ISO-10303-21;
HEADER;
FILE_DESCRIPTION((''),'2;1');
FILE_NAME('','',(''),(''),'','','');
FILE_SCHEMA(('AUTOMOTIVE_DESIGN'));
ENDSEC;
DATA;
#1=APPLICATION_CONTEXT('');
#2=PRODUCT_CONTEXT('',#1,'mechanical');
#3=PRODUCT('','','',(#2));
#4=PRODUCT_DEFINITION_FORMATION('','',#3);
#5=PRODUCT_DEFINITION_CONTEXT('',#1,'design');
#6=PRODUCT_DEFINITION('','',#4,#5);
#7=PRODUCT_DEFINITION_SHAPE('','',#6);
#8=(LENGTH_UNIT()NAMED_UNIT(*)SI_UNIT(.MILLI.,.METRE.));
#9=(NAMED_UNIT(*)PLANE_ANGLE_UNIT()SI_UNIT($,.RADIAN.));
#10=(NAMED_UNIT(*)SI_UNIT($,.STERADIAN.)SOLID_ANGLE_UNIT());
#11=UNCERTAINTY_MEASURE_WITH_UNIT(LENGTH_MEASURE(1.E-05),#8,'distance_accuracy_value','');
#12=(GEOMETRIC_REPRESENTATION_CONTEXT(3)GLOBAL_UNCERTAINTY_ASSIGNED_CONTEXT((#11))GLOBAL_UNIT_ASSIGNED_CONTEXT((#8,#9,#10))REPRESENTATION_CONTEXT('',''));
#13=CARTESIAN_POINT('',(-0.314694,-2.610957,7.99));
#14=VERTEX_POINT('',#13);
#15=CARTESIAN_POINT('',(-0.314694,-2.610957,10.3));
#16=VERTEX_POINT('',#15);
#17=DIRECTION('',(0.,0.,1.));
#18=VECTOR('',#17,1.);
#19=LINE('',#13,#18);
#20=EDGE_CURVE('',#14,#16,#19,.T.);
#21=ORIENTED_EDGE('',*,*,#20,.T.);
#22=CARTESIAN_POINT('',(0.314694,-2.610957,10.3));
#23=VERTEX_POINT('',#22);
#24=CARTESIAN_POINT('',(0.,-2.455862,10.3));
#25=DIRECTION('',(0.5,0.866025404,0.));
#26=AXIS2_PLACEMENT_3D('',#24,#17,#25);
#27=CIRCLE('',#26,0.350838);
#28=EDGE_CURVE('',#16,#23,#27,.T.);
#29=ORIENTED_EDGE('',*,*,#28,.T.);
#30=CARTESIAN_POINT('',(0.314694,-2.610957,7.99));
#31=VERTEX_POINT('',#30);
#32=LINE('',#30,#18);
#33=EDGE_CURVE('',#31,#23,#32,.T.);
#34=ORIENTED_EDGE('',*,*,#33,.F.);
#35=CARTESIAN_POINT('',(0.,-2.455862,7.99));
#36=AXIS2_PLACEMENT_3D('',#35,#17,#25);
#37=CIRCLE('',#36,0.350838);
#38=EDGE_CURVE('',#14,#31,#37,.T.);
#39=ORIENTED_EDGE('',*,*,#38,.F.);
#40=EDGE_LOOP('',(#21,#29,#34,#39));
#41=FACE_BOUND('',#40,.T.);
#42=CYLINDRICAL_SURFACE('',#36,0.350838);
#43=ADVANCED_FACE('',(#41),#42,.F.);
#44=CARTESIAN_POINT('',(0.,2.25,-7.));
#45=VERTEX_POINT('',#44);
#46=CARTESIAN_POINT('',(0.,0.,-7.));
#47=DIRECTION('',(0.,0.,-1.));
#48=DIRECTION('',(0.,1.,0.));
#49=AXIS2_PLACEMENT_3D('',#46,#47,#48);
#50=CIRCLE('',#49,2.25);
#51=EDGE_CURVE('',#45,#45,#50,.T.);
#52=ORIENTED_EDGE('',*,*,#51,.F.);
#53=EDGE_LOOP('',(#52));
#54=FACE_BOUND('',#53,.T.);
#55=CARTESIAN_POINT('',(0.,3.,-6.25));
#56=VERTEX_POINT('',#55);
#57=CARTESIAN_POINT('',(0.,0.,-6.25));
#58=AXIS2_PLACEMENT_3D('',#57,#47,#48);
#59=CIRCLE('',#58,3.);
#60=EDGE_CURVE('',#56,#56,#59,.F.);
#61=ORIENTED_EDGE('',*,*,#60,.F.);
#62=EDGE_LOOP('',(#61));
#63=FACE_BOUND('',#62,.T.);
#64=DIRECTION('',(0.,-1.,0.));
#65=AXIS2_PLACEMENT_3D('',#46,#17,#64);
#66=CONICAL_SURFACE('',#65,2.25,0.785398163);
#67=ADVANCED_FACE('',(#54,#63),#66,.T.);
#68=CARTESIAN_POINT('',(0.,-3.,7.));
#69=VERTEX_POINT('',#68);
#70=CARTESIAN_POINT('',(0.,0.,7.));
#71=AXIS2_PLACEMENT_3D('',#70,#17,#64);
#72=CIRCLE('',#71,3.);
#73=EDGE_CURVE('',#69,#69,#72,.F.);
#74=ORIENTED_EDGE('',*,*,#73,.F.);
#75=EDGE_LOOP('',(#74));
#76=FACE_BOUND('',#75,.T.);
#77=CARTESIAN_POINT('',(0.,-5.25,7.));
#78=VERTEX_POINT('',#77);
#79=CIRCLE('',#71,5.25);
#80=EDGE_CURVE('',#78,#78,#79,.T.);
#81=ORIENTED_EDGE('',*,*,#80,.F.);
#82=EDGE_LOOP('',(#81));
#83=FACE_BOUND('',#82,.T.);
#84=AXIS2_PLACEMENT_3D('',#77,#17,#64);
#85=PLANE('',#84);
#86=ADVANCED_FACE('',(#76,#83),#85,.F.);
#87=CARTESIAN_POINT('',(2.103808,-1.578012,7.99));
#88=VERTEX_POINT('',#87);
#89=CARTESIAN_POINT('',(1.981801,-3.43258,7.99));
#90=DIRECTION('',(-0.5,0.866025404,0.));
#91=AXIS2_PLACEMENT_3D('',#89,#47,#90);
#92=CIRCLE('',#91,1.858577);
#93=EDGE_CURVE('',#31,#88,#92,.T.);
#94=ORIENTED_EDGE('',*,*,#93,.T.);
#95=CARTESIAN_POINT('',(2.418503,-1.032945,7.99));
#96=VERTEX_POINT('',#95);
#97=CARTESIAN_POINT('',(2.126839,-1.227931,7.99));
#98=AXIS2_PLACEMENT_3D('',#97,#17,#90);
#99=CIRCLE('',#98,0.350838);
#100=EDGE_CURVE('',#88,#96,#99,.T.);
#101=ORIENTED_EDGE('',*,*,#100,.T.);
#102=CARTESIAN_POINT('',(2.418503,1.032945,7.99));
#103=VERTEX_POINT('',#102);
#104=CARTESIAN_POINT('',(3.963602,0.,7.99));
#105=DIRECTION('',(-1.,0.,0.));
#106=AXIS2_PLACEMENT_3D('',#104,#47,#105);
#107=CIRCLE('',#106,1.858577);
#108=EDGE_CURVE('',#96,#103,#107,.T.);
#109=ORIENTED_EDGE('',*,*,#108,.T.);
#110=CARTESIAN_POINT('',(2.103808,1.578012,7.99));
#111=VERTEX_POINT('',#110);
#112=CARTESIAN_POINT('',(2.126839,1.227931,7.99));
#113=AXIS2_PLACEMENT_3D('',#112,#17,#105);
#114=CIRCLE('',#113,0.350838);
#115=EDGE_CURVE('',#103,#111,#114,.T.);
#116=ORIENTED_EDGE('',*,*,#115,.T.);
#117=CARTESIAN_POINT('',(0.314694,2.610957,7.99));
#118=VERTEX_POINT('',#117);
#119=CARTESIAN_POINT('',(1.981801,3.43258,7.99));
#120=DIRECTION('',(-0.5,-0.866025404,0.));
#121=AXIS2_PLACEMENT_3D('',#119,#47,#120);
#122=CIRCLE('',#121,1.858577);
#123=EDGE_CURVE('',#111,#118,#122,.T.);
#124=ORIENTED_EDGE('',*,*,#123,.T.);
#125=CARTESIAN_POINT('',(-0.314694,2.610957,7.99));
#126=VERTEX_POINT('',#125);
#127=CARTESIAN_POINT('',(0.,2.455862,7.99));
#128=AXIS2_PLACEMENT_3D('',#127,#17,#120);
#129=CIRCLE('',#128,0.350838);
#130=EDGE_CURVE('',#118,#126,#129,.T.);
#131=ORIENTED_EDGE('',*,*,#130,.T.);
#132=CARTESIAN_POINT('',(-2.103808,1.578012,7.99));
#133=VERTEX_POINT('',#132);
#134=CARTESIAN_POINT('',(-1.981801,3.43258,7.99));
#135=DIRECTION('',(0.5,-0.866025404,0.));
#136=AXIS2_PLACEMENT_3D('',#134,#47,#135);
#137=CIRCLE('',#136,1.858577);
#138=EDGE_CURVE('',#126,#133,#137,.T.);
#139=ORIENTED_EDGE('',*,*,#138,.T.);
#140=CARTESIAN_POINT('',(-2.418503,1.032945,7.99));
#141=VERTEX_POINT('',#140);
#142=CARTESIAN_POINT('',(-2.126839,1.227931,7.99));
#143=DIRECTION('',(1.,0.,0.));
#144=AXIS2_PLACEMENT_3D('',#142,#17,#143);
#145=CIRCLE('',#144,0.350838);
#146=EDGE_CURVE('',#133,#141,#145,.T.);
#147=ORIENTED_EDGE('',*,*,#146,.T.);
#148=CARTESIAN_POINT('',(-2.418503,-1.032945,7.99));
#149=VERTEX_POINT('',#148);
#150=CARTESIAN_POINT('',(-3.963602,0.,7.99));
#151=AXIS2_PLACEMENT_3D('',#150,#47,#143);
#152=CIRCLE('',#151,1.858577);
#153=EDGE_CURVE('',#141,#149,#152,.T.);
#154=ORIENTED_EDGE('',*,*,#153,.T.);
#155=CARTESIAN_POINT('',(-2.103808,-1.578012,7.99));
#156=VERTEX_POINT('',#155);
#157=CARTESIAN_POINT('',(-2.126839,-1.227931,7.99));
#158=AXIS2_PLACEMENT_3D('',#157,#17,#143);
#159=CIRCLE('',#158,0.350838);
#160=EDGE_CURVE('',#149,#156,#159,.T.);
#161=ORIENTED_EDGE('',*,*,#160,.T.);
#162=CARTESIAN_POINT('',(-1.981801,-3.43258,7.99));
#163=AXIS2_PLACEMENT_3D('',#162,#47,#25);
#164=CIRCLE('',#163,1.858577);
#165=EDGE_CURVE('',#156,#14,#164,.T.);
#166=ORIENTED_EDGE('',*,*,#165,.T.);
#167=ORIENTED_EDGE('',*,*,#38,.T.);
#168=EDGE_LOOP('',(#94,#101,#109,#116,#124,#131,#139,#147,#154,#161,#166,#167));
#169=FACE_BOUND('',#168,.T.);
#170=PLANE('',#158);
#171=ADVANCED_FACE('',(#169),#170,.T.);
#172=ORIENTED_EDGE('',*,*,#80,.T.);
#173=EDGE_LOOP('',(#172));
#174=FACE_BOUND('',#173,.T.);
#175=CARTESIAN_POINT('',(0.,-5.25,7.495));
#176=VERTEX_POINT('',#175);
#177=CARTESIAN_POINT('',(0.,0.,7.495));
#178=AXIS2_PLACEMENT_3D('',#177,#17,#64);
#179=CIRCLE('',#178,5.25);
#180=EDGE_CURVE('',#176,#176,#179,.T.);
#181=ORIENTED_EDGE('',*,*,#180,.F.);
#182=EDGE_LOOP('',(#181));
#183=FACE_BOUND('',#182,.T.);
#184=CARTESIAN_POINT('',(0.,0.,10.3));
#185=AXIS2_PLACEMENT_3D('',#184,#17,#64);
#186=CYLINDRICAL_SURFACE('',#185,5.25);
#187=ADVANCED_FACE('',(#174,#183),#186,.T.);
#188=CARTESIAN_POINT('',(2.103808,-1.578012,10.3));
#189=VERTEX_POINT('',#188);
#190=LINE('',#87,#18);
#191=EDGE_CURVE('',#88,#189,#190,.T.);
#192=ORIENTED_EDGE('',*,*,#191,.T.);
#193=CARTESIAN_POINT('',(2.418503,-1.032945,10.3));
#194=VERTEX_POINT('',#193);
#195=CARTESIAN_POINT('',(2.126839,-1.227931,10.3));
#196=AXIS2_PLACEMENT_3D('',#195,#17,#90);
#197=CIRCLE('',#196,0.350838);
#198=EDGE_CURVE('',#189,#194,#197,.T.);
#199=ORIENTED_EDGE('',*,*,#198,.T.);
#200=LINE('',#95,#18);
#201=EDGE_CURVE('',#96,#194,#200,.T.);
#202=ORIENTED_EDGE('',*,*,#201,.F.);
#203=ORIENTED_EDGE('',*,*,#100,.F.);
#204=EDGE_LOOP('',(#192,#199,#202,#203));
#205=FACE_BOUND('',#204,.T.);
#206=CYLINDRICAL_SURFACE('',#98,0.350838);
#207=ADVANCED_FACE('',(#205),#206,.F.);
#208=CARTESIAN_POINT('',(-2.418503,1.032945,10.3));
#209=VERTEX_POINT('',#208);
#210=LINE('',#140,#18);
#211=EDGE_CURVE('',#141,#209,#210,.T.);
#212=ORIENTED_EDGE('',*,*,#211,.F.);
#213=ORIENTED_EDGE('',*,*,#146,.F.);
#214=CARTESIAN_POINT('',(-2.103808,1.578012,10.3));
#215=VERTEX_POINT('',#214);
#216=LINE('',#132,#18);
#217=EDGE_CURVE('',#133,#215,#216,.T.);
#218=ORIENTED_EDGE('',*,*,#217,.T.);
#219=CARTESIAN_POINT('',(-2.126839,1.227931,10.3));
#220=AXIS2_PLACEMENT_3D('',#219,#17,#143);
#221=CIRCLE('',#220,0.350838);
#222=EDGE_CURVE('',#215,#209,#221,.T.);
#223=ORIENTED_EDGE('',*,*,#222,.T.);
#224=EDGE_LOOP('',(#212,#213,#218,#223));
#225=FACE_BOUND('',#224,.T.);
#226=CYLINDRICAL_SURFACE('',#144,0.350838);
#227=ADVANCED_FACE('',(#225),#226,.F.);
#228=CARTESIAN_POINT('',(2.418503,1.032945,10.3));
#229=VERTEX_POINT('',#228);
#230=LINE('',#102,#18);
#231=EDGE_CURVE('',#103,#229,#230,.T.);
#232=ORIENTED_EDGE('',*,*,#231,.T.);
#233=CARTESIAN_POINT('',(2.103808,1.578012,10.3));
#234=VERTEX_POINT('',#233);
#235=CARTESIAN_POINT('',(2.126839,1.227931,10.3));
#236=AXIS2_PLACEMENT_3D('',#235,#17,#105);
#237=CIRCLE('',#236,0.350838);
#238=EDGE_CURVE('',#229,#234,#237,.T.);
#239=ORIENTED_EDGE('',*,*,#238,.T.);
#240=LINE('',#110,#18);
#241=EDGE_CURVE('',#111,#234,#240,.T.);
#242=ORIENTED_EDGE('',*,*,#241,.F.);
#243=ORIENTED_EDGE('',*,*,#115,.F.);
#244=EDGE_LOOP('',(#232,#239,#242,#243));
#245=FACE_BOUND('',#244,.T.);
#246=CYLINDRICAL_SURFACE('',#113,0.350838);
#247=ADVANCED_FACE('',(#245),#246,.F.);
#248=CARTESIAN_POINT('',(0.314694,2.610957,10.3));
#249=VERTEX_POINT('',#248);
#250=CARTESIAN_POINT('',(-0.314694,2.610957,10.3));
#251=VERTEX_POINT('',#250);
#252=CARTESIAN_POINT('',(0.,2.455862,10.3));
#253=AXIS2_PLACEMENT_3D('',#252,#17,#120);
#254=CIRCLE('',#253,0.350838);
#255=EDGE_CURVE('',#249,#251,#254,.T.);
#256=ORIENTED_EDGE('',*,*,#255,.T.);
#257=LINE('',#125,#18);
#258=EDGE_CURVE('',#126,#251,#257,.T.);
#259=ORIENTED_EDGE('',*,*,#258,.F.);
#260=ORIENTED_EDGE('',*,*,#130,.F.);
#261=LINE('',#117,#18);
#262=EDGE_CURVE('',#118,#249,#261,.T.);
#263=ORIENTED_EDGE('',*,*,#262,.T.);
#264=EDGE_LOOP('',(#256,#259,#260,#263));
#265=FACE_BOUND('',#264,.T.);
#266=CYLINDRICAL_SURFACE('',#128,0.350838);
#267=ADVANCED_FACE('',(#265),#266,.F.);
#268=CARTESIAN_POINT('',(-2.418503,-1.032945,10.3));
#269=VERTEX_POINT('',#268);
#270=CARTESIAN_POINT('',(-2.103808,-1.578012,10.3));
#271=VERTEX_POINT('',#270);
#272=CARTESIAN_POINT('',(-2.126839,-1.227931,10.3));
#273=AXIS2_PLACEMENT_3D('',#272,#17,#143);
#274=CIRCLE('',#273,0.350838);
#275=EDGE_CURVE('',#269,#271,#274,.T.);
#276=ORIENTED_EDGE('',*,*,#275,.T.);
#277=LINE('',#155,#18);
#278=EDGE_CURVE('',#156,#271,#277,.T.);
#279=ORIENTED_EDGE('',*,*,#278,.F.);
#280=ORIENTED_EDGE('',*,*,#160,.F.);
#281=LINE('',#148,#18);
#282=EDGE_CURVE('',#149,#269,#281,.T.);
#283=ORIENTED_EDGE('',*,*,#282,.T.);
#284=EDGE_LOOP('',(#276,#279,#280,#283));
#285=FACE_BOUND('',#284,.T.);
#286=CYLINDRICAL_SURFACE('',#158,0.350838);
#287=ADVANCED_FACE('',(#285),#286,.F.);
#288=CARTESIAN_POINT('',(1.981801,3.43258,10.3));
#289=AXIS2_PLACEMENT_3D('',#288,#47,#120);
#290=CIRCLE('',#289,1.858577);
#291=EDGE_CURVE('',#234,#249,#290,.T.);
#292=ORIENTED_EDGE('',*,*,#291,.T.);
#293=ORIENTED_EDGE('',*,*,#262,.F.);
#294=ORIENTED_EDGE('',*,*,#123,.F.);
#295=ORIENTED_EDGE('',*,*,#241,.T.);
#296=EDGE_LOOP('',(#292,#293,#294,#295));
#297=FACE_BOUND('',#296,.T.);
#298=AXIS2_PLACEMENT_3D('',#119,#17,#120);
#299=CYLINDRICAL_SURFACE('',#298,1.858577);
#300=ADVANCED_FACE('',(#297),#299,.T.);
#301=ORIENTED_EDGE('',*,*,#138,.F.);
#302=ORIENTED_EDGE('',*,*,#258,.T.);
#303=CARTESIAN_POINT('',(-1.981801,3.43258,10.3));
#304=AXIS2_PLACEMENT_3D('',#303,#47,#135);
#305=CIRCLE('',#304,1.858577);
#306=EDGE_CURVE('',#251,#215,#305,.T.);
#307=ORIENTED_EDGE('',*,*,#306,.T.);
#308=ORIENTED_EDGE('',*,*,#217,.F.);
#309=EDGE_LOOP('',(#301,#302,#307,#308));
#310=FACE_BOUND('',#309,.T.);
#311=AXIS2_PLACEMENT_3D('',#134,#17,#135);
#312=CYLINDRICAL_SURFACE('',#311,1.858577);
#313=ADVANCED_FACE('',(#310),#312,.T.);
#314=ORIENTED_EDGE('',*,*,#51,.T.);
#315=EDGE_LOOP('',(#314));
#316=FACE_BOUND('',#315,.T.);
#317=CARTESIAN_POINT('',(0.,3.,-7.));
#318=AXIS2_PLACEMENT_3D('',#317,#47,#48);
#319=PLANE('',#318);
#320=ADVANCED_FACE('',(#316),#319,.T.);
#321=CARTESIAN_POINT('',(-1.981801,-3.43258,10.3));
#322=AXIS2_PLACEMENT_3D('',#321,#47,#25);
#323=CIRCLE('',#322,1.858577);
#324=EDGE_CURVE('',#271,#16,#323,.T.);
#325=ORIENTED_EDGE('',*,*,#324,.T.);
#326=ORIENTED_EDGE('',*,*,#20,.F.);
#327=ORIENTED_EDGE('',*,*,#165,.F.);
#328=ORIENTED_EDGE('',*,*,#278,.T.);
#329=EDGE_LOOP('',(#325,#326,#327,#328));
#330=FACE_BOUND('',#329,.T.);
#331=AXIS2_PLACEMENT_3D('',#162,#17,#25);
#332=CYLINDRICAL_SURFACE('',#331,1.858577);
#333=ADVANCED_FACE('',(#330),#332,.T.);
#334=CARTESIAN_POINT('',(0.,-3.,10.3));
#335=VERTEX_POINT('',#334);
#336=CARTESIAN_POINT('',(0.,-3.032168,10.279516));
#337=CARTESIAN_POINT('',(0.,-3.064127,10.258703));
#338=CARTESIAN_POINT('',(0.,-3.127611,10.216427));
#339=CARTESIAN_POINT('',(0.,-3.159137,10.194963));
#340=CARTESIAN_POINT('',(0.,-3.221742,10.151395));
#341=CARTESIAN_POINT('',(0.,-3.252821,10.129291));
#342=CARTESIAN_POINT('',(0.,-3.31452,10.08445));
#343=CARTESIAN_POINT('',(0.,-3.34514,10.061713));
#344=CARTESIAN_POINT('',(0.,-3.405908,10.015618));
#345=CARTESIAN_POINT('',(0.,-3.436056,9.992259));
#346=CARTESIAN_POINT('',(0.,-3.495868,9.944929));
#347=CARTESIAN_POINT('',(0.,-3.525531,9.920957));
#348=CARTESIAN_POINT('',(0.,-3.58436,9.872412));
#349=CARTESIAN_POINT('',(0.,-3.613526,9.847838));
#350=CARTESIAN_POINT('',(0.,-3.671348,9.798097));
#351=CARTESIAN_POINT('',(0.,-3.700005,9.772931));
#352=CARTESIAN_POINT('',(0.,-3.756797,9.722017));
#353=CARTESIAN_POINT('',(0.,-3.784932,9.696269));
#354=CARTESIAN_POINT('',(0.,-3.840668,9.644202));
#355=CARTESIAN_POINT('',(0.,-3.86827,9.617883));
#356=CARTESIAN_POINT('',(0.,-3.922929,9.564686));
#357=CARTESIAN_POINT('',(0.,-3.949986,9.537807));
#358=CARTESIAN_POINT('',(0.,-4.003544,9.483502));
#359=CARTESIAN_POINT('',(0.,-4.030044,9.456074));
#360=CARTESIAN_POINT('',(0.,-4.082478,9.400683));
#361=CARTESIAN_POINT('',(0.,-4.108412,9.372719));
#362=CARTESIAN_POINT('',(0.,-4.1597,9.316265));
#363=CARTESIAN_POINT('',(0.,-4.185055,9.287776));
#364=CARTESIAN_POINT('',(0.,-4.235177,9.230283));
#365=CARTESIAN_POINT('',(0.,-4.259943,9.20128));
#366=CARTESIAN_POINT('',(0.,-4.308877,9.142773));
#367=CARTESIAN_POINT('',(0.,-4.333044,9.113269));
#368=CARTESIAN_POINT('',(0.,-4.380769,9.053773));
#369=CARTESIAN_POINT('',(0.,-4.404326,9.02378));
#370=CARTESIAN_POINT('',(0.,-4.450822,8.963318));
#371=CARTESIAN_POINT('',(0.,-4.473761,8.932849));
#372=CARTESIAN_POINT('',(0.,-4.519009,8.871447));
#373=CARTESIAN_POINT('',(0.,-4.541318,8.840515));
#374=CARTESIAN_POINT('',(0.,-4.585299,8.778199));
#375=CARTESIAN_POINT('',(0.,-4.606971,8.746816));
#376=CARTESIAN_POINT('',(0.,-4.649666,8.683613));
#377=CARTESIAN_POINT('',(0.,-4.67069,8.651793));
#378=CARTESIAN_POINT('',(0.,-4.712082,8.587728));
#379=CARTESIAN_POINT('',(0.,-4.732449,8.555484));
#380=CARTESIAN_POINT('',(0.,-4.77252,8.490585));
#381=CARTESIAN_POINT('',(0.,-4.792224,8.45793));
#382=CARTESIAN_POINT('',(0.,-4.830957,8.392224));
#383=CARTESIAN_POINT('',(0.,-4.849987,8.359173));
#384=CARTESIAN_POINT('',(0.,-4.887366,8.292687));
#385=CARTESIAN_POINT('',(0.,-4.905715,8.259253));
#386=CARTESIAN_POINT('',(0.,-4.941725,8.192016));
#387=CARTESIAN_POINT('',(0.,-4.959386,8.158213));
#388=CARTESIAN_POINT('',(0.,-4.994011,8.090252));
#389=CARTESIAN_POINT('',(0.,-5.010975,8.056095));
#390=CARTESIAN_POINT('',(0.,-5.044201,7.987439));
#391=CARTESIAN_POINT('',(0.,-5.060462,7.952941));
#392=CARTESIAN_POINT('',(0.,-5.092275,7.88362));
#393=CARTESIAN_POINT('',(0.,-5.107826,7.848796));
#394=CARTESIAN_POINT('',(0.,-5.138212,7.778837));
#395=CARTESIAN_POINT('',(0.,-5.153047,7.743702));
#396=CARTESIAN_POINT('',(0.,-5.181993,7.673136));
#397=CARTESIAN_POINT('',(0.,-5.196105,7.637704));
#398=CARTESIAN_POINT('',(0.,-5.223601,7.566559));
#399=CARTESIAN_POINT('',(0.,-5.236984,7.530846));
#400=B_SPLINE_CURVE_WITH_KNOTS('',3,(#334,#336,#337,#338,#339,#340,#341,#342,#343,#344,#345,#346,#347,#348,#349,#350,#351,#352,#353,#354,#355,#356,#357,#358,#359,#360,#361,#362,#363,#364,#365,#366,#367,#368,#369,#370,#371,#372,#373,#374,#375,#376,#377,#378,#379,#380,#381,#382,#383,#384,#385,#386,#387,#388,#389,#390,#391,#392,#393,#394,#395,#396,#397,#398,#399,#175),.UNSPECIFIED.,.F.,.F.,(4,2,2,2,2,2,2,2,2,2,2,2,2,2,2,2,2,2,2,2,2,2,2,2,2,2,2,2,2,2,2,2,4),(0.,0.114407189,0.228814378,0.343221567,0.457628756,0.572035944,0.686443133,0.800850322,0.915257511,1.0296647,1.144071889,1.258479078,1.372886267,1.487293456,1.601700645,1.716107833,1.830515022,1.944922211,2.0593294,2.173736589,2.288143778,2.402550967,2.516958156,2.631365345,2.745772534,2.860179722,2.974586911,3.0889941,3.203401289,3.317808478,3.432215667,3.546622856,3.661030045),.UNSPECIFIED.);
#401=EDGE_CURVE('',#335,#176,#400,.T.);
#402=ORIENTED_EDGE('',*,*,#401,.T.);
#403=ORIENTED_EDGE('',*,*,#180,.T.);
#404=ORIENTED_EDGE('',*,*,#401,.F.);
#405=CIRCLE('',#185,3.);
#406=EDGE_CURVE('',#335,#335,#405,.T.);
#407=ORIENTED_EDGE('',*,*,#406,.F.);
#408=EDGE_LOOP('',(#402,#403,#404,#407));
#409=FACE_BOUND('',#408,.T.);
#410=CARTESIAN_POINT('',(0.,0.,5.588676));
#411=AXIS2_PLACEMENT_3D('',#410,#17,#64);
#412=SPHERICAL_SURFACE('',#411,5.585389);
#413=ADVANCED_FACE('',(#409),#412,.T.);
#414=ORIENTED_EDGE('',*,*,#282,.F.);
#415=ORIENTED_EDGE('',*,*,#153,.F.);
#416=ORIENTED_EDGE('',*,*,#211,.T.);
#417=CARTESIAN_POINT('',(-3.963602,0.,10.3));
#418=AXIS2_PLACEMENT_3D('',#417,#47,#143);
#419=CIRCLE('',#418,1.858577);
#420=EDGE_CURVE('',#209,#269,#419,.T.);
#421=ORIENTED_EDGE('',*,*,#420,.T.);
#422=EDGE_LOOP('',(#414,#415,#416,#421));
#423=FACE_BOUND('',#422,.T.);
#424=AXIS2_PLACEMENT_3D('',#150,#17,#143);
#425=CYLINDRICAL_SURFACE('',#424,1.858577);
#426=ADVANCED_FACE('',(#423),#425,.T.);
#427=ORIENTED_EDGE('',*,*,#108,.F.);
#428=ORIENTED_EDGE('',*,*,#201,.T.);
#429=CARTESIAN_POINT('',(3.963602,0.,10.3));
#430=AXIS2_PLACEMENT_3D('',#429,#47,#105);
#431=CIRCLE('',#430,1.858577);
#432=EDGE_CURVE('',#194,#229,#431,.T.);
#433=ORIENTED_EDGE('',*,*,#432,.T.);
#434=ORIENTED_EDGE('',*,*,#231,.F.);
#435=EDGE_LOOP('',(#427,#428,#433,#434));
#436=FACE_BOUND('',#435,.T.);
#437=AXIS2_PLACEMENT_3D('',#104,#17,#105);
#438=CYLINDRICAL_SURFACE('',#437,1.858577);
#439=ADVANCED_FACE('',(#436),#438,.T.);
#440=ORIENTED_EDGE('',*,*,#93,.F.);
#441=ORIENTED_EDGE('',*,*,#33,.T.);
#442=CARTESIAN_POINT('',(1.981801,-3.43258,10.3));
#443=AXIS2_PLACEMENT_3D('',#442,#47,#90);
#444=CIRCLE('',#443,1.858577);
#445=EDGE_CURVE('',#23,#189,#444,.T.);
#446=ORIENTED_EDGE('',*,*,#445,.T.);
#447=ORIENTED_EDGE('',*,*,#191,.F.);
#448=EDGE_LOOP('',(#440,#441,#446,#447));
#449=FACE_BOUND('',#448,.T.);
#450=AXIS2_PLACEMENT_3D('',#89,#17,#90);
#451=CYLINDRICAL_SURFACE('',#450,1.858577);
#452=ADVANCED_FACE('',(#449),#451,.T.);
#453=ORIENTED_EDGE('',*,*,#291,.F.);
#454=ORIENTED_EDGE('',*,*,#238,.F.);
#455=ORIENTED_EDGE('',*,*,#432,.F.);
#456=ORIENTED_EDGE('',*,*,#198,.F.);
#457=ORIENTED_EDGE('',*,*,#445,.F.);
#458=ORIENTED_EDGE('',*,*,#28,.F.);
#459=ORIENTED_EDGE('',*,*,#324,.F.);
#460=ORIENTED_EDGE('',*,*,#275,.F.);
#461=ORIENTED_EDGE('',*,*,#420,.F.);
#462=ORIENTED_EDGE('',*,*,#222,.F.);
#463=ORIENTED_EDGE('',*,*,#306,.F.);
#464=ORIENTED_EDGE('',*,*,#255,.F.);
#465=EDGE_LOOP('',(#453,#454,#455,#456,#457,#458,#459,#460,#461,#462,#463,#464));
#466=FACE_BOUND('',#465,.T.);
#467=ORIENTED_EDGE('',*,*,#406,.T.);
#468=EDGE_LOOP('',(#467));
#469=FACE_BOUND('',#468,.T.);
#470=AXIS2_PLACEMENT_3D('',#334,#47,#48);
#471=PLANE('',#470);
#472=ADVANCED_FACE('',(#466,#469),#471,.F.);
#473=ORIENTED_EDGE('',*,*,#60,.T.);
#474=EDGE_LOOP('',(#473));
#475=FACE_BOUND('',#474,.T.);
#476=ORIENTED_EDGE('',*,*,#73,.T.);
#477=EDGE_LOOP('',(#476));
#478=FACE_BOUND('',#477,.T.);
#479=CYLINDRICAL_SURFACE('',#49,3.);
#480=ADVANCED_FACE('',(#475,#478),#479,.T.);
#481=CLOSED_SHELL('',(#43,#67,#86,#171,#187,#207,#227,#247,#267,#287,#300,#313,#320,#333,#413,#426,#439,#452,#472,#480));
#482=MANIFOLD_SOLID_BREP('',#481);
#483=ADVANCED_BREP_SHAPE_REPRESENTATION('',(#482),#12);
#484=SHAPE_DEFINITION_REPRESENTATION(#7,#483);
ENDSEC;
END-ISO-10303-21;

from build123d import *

# Parameters (mm, degrees)
SKETCH12_W         = 14
SKETCH12_H         = 3
CUT_EXTRUDE4_DEPTH = 2.31
CIRPATTERN1_COUNT  = 6
CHAMFER1_SIZE      = 0.75


with BuildPart() as part:
    # Sketch12 → Revolve1 (revolve)
    with BuildSketch(Plane(origin=(0, 0, 0), x_dir=(0, 0, -1), z_dir=(1, 0, 0))):
        with Locations((0, 1.5)):
            Rectangle(SKETCH12_W, SKETCH12_H)
    revolve(axis=Axis((0, 0, -7), (0, 0, 1)))

    # Sketch7 → Revolve2 (revolve)
    with BuildSketch(Plane(origin=(0, 0, 0), x_dir=(0, 0, -1), z_dir=(1, 0, 0))):
        with BuildLine():
            Line((-7.495, 5.25), (-7, 5.25))
            Line((-7, 5.25), (-7, 0))
            Line((-7, 0), (-10.3, 0))
            Line((-10.3, 0), (-10.3, 3))
            ThreePointArc((-10.3, 3), (-9.083520981, 4.356906156), (-7.495, 5.25))
        make_face()
    revolve(axis=Axis((0, 0, 10.3), (0, 0, -1)))

    # Sketch11 → Cut-Extrude4 (cut)
    with BuildSketch(Plane.XY.offset(10.3)):
        with BuildLine():
            Line((0, 0), (-2.430673501, 1.40335))
            ThreePointArc((-2.430673501, 1.40335), (-2.477487573, 1.216409562), (-2.418502657, 1.032945493))
            ThreePointArc((-2.418502657, 1.032945493), (-2.105025, 0), (-2.418502657, -1.032945493))
            ThreePointArc((-2.418502657, -1.032945493), (-2.477487573, -1.216409562), (-2.430673501, -1.40335))
            Line((-2.430673501, -1.40335), (0, 0))
        make_face()
    cut_extrude4 = extrude(amount=-CUT_EXTRUDE4_DEPTH, mode=Mode.SUBTRACT)

    # CirPattern1: Cut-Extrude4 ×6 about axis
    cirpattern1_axis = Axis((0, 0, 0), (0, 0, -1))
    for i in range(1, CIRPATTERN1_COUNT):
        add(cut_extrude4.rotate(cirpattern1_axis, i * 360 / CIRPATTERN1_COUNT), mode=Mode.SUBTRACT)

    # Chamfer1
    chamfer1_edges = [part.edges().sort_by_distance(p)[0] for p in [
        (0, -3, -7),
    ]]
    chamfer(chamfer1_edges, length=CHAMFER1_SIZE)


solid = part.part
